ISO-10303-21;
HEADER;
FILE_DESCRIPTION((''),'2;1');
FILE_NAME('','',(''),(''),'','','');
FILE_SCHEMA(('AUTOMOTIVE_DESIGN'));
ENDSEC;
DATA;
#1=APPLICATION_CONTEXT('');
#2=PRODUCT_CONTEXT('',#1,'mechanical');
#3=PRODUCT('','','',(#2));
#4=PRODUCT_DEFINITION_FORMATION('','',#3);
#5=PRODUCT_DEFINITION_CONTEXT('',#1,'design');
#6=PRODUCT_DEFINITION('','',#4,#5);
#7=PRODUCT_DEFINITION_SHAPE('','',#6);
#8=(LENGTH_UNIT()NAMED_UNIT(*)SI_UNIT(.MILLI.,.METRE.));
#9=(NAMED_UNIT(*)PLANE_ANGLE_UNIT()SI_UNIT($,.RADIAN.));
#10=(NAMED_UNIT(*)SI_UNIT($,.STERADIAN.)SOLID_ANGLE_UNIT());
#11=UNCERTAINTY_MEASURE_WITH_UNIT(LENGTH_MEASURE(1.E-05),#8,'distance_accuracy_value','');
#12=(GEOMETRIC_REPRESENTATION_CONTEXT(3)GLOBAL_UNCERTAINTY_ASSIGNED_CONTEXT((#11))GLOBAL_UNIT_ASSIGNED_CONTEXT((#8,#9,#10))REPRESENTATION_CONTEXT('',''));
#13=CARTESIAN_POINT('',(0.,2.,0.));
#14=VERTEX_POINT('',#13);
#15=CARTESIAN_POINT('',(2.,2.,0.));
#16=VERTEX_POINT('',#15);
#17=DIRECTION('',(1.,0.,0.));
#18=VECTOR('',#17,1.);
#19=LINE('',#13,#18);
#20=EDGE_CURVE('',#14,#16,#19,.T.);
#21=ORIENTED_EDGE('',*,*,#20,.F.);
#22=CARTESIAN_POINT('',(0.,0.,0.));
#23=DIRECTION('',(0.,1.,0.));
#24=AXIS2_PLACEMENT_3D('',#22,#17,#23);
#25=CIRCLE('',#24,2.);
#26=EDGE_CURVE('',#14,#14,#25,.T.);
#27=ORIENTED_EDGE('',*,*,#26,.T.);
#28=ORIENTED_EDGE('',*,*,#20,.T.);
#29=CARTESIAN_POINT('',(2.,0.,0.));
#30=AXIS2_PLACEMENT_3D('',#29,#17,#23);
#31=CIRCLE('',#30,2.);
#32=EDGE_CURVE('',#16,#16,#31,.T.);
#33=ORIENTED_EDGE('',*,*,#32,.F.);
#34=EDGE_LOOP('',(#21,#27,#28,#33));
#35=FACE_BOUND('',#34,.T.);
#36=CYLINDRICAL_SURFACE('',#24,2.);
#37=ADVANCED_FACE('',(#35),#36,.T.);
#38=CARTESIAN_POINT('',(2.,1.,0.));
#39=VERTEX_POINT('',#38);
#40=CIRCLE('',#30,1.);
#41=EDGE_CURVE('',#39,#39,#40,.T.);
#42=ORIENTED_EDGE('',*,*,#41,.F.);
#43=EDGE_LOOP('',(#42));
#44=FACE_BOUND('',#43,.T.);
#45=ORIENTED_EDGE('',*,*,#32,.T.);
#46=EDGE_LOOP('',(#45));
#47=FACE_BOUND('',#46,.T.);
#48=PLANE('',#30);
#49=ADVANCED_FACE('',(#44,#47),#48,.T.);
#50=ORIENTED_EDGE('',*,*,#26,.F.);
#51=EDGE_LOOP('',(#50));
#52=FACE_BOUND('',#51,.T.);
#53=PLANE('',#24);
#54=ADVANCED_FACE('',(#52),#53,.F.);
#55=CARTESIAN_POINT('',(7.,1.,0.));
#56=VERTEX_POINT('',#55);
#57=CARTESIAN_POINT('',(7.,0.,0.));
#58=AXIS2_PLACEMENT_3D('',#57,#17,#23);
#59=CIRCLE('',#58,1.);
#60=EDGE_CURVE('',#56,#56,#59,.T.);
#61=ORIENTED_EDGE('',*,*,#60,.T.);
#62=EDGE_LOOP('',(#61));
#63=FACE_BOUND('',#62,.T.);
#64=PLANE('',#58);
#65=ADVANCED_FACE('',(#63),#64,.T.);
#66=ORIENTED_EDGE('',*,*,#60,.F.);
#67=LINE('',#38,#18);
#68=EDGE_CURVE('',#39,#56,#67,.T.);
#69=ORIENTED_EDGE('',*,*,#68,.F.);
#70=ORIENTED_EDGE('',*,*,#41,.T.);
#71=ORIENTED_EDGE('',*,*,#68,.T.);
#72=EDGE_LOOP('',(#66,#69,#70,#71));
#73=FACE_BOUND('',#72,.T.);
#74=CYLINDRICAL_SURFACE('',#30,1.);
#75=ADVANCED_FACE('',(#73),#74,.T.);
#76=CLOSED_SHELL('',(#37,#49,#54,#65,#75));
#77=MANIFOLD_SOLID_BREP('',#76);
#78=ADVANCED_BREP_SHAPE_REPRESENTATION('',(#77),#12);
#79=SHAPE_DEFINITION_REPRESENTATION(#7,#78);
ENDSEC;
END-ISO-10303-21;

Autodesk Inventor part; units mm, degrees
ref_plane "Start Plane" through (0, 0, 0) normal (1, 0, 0) x (0, 1, 0)
ref_plane "XZ Plane" through (0, 0, 0) normal (0, 1, 0) x (-1, 0, 0)
ref_plane "XY Plane" through (0, 0, 0) normal (0, 0, 1) x (1, 0, 0)
sketch "Main Sketch" plane through (0, 0, 0) normal (0, 0, 1) x (1, 0, 0)
  line L0 (0, 0) -> (7, 0)
  line L1 (0, 0) -> (0, 2)
  line L2 (2, 2) -> (2, 1)
  line L3 (0, 2) -> (2, 2)
  line L4 (7, 1) -> (7, 0)
  line L5 (2, 1) -> (7, 1)
  dimension "d3" = 4
  dimension "d4" = 2
revolve "Revolution1" add sketch "Main Sketch" angle 360 about axis through (0, 0, 0) along (1, 0, 0)
properties part number "Shaft" material "Steel"
